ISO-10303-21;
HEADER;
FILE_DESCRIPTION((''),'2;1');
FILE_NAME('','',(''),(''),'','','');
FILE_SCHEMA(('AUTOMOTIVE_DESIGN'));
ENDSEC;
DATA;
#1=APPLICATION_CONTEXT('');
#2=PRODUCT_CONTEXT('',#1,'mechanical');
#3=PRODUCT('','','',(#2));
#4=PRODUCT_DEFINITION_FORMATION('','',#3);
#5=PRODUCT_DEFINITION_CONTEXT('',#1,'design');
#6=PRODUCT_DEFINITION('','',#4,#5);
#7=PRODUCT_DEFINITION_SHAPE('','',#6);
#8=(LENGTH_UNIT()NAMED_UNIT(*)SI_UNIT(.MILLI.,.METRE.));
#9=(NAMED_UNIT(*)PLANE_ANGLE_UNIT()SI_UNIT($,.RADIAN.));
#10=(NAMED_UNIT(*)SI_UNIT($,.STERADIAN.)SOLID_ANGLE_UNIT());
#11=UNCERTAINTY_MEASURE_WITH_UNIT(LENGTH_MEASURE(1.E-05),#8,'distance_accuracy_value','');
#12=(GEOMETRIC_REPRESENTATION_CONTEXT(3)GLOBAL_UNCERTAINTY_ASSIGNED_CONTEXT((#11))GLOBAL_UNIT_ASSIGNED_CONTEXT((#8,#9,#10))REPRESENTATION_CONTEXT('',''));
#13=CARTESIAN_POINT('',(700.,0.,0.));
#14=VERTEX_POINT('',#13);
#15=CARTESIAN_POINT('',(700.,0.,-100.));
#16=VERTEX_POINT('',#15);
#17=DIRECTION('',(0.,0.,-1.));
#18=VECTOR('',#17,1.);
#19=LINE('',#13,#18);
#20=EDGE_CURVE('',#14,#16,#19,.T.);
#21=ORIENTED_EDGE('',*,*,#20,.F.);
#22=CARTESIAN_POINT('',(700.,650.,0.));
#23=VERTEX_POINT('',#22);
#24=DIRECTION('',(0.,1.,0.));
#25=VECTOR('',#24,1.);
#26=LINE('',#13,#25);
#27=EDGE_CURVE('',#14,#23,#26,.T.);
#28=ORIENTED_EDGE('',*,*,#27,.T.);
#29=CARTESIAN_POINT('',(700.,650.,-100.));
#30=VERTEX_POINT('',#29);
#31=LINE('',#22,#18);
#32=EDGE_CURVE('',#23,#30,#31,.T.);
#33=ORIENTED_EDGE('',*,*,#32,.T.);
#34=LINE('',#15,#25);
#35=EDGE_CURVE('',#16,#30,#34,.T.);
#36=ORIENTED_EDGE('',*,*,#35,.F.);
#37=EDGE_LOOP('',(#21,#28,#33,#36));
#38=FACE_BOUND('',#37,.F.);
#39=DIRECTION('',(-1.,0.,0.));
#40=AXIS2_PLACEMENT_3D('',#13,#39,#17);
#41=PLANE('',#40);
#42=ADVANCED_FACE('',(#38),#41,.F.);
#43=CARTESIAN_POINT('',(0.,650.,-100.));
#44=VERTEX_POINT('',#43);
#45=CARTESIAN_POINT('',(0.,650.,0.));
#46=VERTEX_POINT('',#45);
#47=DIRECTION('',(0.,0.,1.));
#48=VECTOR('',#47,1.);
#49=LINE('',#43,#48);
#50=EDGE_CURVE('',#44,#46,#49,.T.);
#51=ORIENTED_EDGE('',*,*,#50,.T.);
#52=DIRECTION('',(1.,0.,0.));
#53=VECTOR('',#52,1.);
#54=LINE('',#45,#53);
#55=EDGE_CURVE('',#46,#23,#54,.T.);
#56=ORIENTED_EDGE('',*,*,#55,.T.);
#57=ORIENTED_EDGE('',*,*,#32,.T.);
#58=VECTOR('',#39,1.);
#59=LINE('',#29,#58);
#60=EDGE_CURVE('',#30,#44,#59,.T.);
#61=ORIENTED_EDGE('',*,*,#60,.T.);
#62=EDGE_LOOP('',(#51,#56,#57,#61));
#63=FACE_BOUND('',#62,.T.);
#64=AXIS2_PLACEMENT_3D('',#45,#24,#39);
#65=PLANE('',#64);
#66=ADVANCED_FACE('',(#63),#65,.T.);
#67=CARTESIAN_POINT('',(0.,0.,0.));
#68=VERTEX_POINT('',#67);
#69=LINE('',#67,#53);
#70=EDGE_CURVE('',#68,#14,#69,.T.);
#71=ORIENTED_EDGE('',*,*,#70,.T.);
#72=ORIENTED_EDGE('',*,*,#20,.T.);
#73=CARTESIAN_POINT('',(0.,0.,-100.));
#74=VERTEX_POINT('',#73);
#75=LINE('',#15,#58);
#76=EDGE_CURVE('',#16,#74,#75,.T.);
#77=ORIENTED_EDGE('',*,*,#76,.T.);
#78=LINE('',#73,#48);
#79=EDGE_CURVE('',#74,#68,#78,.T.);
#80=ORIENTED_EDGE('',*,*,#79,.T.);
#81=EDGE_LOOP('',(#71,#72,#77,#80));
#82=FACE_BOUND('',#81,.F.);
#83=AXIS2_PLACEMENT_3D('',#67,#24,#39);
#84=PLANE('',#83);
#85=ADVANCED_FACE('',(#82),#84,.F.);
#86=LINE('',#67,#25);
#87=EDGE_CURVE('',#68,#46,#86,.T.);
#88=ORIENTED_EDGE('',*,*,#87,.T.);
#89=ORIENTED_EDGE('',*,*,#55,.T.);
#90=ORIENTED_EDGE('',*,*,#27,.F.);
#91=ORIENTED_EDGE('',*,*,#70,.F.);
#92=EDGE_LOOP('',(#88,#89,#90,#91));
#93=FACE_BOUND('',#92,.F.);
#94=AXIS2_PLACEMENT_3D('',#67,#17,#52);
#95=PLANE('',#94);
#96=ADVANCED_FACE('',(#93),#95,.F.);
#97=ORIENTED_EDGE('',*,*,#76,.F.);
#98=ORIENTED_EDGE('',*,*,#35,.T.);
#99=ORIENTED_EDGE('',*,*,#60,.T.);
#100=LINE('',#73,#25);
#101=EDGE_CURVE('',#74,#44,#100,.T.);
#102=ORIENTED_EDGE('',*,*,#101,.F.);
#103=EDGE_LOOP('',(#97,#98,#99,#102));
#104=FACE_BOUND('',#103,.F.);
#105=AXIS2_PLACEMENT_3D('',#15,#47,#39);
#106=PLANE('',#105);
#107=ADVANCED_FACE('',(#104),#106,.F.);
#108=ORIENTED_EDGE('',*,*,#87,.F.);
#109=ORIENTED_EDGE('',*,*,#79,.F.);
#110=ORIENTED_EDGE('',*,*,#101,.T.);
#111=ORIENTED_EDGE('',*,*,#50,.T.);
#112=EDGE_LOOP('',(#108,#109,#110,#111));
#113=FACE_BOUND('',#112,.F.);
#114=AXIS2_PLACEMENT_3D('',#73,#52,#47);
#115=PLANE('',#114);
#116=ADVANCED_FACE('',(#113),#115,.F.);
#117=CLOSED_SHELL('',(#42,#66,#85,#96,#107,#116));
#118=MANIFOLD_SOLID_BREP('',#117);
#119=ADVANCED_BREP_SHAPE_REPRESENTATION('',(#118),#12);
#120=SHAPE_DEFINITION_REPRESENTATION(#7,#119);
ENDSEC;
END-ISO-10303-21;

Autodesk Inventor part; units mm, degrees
ref_plane "YZ Plane" through (0, 0, 0) normal (1, 0, 0) x (0, 1, 0)
ref_plane "XZ Plane" through (0, 0, 0) normal (0, 1, 0) x (-1, 0, 0)
ref_plane "XY Plane" through (0, 0, 0) normal (0, 0, 1) x (1, 0, 0)
sketch "Sketch1" plane through (0, 0, 0) normal (0, 1, 0) x (-1, 0, 0)
  line L0 (0, 0) -> (-700, 0)
  line L1 (-700, 0) -> (-700, -100)
  line L2 (-700, -100) -> (0, -100)
  line L3 (0, -100) -> (0, 0)
  dimension "d0" = 700
  dimension "d1" = 100
extrude "Extrusion1" add sketch "Sketch1" along normal blind 650
sketch "Sketch2" plane through (700, 0, -100) normal (0, 0, -1) x (-1, 0, 0)
  point P0 (700, 0)
sketch "Sketch3" plane through (700, 0, -100) normal (0, 0, -1) x (-1, 0, 0)
  point P0 (700, 0)
sketch "Sketch4" plane through (700, 0, -100) normal (0, 0, -1) x (-1, 0, 0)
  line L0 (342.7014, 629.8269) -> (342.7014, 33.622)
  line L1 (460.8175, 629.8269) -> (460.8175, 33.622)
  point P0 (700, 0)
sketch "Sketch5" plane through (0, 650, 0) normal (0, 1, 0) x (1, 0, 0)
  line L0 (191.5523, 77.8604) -> (191.5523, 15.7059)
  line L1 (416.7709, 79.3401) -> (416.7709, 17.1856)
  point P0 (0, 0)
properties part number "Bench_Part1" material "Stainless Steel"
